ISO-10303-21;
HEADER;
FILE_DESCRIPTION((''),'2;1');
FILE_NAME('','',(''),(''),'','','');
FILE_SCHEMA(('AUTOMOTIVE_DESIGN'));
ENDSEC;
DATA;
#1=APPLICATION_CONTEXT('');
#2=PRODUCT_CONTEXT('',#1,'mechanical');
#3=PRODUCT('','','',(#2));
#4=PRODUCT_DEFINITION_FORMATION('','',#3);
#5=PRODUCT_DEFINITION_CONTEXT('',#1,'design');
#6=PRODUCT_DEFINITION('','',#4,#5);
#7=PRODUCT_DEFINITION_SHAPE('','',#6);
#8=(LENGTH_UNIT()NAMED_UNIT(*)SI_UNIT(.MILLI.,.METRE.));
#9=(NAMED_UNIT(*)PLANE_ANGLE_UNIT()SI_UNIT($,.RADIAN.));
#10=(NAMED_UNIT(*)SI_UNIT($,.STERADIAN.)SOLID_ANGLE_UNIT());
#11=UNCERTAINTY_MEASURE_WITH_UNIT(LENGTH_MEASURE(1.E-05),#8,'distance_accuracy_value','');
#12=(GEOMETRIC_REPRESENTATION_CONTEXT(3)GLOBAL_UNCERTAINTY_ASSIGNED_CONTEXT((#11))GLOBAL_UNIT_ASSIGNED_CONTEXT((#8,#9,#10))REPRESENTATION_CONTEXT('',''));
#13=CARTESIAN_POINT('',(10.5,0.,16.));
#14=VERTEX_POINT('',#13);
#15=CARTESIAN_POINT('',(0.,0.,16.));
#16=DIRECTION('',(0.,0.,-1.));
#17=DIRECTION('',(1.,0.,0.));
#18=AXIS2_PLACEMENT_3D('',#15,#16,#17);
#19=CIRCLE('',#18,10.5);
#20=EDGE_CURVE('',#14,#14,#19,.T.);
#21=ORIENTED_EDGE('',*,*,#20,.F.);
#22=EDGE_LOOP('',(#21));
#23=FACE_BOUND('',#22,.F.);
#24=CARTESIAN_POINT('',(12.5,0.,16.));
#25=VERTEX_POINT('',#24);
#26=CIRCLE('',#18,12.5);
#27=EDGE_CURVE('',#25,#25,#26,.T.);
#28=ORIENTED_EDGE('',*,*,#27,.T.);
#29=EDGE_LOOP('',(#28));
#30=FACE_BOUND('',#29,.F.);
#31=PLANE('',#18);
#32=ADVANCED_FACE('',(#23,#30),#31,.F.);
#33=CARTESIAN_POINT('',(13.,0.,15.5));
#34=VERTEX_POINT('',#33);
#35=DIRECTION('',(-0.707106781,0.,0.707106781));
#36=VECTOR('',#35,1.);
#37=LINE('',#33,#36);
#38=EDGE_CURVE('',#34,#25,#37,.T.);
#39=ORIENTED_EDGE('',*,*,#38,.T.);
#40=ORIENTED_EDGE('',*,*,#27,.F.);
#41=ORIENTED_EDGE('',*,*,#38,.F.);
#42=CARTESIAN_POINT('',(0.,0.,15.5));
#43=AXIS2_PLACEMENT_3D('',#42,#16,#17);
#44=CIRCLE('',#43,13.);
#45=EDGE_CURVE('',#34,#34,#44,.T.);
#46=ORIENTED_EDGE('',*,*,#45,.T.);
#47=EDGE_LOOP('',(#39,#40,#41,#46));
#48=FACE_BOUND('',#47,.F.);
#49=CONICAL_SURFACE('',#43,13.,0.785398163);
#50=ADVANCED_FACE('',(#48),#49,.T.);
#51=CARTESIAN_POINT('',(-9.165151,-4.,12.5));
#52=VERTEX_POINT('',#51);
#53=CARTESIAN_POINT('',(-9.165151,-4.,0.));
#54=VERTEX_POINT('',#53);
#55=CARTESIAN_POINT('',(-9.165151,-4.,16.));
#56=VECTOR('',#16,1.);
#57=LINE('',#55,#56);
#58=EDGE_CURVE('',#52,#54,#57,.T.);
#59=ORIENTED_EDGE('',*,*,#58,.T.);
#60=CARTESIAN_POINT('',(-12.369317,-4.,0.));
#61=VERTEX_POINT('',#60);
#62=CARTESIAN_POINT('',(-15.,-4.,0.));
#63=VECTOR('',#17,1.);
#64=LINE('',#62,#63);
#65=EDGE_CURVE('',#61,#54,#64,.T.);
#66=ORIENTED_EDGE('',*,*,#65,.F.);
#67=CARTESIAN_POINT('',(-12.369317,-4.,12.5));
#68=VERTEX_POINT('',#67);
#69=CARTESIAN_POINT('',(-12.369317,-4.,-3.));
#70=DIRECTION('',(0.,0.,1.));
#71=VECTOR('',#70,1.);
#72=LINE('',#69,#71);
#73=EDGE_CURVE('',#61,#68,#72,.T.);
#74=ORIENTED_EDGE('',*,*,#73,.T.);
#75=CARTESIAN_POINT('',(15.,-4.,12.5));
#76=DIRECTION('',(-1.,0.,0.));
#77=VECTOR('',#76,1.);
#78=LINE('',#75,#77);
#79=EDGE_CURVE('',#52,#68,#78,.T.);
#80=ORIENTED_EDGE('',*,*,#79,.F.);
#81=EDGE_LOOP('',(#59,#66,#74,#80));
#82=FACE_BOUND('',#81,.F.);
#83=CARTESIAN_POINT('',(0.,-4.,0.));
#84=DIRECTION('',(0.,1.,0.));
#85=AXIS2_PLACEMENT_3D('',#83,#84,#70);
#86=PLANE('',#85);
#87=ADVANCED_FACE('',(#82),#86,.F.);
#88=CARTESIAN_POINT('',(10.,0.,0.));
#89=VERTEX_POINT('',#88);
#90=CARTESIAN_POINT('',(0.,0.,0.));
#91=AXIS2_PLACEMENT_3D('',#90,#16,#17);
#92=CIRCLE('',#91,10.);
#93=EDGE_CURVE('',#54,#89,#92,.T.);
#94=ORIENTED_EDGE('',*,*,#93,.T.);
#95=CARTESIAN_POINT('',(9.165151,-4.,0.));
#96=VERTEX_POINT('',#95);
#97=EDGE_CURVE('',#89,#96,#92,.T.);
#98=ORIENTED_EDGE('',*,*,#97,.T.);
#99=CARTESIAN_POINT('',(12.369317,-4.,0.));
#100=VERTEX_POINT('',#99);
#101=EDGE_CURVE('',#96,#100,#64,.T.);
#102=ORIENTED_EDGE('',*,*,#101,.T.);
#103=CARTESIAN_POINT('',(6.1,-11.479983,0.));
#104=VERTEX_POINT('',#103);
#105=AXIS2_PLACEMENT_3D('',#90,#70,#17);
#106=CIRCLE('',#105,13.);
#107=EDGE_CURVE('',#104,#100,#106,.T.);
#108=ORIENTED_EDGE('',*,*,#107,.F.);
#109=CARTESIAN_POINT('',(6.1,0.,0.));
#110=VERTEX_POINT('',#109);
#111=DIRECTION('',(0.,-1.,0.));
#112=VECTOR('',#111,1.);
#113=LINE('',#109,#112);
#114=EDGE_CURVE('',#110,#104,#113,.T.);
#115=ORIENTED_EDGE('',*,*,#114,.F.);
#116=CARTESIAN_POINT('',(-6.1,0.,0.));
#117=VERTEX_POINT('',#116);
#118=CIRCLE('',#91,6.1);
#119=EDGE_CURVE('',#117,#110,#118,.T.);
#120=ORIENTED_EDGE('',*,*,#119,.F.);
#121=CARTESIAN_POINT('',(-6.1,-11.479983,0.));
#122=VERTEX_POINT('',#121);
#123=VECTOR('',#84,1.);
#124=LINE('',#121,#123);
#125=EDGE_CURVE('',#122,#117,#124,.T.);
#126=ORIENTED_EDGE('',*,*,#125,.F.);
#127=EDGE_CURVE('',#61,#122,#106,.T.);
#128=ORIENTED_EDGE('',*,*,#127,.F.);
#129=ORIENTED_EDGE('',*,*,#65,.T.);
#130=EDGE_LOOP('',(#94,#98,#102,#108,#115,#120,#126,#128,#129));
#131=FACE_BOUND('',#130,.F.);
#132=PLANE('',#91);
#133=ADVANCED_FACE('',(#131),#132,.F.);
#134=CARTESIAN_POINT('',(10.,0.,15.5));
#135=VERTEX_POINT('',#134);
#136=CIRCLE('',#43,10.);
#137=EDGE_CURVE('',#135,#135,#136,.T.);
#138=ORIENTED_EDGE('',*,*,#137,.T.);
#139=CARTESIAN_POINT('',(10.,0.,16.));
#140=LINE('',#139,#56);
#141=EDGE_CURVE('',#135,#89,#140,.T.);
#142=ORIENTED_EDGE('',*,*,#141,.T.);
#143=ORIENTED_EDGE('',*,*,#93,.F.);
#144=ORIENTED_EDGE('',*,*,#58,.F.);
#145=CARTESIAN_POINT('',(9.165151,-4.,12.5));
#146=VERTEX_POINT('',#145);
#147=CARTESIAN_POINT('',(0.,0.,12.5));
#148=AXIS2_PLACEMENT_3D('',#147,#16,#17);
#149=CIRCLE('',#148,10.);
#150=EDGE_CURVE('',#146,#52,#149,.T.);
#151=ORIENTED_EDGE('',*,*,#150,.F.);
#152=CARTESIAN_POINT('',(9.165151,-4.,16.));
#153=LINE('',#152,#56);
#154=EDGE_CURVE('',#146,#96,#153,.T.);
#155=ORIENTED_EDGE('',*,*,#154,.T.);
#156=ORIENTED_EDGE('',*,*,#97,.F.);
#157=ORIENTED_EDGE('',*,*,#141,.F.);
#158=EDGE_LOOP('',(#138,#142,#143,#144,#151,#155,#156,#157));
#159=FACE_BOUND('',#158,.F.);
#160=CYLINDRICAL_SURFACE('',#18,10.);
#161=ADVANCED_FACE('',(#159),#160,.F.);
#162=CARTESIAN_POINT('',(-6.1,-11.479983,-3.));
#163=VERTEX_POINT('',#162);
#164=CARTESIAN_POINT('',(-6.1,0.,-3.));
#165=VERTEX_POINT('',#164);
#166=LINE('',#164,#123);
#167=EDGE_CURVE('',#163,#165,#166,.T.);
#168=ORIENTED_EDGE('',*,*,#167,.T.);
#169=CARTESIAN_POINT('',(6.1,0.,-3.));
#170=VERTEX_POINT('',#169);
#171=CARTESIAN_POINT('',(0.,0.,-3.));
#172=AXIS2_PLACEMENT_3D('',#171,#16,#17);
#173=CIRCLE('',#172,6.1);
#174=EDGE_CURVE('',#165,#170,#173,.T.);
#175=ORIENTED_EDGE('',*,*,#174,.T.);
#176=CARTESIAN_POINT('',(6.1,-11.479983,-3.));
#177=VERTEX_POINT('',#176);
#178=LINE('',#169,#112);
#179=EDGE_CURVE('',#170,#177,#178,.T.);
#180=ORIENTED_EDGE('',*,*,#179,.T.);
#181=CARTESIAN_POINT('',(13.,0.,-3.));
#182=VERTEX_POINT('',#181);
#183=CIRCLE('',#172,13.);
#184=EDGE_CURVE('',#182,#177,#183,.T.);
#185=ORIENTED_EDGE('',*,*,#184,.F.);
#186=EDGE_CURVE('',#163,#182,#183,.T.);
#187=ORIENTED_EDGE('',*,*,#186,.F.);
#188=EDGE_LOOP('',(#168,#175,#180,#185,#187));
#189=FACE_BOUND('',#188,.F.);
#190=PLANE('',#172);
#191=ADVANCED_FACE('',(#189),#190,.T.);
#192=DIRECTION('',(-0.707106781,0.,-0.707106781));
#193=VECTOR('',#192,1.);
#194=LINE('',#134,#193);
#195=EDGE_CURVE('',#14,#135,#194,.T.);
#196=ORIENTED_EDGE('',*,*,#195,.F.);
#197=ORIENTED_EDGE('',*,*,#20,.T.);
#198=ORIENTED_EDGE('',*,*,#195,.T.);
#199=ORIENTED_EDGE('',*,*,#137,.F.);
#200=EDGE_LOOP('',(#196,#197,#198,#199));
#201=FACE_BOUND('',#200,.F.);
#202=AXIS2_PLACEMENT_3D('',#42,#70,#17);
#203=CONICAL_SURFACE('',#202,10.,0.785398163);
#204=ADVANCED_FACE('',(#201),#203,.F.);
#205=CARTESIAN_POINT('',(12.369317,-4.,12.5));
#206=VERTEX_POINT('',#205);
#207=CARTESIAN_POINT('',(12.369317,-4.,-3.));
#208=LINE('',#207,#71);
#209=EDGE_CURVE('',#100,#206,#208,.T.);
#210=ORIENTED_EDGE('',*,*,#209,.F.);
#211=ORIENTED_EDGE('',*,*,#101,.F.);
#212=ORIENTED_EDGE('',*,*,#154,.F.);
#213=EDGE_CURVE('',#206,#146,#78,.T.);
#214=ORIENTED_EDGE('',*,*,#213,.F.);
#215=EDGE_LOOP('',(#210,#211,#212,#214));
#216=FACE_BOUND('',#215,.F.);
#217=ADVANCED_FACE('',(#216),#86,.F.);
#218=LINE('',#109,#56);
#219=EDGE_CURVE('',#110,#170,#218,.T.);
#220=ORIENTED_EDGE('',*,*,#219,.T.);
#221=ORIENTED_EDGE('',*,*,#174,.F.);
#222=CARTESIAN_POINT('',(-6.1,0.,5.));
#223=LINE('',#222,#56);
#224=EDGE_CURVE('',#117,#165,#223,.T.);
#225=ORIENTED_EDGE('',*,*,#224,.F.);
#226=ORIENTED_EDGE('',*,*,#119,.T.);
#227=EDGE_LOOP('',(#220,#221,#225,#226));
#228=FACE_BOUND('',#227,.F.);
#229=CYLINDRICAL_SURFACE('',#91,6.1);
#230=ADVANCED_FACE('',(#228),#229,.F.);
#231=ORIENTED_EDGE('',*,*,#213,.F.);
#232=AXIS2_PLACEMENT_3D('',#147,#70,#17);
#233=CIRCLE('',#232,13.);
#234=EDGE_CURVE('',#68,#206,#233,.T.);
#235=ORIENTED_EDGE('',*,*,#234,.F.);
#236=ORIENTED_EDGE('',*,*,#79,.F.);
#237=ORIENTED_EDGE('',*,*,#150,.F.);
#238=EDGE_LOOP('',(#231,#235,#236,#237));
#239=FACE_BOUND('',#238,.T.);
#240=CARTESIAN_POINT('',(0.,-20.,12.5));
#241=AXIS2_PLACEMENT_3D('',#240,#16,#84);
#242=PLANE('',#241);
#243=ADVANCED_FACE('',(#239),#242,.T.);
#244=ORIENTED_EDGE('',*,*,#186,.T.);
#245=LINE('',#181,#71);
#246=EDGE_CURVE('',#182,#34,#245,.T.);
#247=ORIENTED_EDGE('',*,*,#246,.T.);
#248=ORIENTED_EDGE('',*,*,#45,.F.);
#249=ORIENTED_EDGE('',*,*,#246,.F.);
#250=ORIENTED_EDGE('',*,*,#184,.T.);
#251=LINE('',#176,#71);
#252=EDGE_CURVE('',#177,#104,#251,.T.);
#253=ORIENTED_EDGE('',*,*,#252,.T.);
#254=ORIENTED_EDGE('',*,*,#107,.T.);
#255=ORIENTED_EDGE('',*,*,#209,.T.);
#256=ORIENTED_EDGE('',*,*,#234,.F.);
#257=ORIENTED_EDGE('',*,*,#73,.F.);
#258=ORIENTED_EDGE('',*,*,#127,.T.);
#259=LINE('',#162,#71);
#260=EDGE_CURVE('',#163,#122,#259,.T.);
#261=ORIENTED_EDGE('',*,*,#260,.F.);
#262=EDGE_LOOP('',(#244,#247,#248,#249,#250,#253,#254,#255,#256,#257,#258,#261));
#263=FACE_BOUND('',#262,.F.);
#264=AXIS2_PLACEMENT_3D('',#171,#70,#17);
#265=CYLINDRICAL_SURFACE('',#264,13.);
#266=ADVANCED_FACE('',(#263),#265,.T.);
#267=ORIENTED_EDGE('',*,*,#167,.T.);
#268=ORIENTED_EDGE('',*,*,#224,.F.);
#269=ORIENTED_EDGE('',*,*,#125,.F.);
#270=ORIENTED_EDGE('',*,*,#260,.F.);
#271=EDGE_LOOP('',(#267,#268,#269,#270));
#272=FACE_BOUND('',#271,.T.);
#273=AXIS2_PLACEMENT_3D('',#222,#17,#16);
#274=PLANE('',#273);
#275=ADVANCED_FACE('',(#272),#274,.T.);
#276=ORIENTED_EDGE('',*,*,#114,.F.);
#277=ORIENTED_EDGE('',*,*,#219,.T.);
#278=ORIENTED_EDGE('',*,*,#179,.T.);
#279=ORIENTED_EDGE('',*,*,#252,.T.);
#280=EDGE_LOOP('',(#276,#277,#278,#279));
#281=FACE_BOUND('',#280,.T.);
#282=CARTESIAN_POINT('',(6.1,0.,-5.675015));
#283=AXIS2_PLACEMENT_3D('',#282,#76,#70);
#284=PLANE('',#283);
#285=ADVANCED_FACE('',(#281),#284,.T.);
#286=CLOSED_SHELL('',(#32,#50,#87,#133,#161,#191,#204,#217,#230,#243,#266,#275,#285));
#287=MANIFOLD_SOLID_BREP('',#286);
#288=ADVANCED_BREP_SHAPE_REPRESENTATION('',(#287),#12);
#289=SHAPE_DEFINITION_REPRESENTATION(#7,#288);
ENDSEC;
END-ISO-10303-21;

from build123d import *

# Parameters (mm, degrees)
F2_SIZE  = 0.5
F3_SIZE  = 0.5
F5_DEPTH = 20
F6_W     = 16
F6_H     = 12.5
F7_DEPTH = 15


with BuildPart() as f1:
    # F0 (on Front) → F1 (revolve)
    with BuildSketch(Plane.XZ):
        Polygon((10, 16), (10, 0), (6.1, 0), (6.1, -3), (13, -3), (13, 16), align=None)
    revolve(axis=Axis((0, 0, 6.7583965138), (0, 0, -1)))

    # F2
    f2_edges = [f1.edges().sort_by_distance(p)[0] for p in [
        (-13, 0, 16),
    ]]
    chamfer(f2_edges, length=F2_SIZE)

    # F3
    f3_edges = [f1.edges().sort_by_distance(p)[0] for p in [
        (-10, 0, 16),
    ]]
    chamfer(f3_edges, length=F3_SIZE)

    # F4 (on Front) → F5 (cut)
    with BuildSketch(Plane.XZ):
        Polygon((6.1, 0), (6.1, 5), (0, 5), (-6.1, 5), (-6.1, -5.6750147776), (0, -5.6750147776), (6.1, -5.6750147776), align=None)
    extrude(amount=F5_DEPTH, mode=Mode.SUBTRACT)

    # F6 (on Right) → F7 (cut, symmetric)
    with BuildSketch(Plane.YZ):
        with Locations((-12, 6.25)):
            Rectangle(F6_W, F6_H)
    extrude(amount=F7_DEPTH, both=True, mode=Mode.SUBTRACT)


solid = f1.part
